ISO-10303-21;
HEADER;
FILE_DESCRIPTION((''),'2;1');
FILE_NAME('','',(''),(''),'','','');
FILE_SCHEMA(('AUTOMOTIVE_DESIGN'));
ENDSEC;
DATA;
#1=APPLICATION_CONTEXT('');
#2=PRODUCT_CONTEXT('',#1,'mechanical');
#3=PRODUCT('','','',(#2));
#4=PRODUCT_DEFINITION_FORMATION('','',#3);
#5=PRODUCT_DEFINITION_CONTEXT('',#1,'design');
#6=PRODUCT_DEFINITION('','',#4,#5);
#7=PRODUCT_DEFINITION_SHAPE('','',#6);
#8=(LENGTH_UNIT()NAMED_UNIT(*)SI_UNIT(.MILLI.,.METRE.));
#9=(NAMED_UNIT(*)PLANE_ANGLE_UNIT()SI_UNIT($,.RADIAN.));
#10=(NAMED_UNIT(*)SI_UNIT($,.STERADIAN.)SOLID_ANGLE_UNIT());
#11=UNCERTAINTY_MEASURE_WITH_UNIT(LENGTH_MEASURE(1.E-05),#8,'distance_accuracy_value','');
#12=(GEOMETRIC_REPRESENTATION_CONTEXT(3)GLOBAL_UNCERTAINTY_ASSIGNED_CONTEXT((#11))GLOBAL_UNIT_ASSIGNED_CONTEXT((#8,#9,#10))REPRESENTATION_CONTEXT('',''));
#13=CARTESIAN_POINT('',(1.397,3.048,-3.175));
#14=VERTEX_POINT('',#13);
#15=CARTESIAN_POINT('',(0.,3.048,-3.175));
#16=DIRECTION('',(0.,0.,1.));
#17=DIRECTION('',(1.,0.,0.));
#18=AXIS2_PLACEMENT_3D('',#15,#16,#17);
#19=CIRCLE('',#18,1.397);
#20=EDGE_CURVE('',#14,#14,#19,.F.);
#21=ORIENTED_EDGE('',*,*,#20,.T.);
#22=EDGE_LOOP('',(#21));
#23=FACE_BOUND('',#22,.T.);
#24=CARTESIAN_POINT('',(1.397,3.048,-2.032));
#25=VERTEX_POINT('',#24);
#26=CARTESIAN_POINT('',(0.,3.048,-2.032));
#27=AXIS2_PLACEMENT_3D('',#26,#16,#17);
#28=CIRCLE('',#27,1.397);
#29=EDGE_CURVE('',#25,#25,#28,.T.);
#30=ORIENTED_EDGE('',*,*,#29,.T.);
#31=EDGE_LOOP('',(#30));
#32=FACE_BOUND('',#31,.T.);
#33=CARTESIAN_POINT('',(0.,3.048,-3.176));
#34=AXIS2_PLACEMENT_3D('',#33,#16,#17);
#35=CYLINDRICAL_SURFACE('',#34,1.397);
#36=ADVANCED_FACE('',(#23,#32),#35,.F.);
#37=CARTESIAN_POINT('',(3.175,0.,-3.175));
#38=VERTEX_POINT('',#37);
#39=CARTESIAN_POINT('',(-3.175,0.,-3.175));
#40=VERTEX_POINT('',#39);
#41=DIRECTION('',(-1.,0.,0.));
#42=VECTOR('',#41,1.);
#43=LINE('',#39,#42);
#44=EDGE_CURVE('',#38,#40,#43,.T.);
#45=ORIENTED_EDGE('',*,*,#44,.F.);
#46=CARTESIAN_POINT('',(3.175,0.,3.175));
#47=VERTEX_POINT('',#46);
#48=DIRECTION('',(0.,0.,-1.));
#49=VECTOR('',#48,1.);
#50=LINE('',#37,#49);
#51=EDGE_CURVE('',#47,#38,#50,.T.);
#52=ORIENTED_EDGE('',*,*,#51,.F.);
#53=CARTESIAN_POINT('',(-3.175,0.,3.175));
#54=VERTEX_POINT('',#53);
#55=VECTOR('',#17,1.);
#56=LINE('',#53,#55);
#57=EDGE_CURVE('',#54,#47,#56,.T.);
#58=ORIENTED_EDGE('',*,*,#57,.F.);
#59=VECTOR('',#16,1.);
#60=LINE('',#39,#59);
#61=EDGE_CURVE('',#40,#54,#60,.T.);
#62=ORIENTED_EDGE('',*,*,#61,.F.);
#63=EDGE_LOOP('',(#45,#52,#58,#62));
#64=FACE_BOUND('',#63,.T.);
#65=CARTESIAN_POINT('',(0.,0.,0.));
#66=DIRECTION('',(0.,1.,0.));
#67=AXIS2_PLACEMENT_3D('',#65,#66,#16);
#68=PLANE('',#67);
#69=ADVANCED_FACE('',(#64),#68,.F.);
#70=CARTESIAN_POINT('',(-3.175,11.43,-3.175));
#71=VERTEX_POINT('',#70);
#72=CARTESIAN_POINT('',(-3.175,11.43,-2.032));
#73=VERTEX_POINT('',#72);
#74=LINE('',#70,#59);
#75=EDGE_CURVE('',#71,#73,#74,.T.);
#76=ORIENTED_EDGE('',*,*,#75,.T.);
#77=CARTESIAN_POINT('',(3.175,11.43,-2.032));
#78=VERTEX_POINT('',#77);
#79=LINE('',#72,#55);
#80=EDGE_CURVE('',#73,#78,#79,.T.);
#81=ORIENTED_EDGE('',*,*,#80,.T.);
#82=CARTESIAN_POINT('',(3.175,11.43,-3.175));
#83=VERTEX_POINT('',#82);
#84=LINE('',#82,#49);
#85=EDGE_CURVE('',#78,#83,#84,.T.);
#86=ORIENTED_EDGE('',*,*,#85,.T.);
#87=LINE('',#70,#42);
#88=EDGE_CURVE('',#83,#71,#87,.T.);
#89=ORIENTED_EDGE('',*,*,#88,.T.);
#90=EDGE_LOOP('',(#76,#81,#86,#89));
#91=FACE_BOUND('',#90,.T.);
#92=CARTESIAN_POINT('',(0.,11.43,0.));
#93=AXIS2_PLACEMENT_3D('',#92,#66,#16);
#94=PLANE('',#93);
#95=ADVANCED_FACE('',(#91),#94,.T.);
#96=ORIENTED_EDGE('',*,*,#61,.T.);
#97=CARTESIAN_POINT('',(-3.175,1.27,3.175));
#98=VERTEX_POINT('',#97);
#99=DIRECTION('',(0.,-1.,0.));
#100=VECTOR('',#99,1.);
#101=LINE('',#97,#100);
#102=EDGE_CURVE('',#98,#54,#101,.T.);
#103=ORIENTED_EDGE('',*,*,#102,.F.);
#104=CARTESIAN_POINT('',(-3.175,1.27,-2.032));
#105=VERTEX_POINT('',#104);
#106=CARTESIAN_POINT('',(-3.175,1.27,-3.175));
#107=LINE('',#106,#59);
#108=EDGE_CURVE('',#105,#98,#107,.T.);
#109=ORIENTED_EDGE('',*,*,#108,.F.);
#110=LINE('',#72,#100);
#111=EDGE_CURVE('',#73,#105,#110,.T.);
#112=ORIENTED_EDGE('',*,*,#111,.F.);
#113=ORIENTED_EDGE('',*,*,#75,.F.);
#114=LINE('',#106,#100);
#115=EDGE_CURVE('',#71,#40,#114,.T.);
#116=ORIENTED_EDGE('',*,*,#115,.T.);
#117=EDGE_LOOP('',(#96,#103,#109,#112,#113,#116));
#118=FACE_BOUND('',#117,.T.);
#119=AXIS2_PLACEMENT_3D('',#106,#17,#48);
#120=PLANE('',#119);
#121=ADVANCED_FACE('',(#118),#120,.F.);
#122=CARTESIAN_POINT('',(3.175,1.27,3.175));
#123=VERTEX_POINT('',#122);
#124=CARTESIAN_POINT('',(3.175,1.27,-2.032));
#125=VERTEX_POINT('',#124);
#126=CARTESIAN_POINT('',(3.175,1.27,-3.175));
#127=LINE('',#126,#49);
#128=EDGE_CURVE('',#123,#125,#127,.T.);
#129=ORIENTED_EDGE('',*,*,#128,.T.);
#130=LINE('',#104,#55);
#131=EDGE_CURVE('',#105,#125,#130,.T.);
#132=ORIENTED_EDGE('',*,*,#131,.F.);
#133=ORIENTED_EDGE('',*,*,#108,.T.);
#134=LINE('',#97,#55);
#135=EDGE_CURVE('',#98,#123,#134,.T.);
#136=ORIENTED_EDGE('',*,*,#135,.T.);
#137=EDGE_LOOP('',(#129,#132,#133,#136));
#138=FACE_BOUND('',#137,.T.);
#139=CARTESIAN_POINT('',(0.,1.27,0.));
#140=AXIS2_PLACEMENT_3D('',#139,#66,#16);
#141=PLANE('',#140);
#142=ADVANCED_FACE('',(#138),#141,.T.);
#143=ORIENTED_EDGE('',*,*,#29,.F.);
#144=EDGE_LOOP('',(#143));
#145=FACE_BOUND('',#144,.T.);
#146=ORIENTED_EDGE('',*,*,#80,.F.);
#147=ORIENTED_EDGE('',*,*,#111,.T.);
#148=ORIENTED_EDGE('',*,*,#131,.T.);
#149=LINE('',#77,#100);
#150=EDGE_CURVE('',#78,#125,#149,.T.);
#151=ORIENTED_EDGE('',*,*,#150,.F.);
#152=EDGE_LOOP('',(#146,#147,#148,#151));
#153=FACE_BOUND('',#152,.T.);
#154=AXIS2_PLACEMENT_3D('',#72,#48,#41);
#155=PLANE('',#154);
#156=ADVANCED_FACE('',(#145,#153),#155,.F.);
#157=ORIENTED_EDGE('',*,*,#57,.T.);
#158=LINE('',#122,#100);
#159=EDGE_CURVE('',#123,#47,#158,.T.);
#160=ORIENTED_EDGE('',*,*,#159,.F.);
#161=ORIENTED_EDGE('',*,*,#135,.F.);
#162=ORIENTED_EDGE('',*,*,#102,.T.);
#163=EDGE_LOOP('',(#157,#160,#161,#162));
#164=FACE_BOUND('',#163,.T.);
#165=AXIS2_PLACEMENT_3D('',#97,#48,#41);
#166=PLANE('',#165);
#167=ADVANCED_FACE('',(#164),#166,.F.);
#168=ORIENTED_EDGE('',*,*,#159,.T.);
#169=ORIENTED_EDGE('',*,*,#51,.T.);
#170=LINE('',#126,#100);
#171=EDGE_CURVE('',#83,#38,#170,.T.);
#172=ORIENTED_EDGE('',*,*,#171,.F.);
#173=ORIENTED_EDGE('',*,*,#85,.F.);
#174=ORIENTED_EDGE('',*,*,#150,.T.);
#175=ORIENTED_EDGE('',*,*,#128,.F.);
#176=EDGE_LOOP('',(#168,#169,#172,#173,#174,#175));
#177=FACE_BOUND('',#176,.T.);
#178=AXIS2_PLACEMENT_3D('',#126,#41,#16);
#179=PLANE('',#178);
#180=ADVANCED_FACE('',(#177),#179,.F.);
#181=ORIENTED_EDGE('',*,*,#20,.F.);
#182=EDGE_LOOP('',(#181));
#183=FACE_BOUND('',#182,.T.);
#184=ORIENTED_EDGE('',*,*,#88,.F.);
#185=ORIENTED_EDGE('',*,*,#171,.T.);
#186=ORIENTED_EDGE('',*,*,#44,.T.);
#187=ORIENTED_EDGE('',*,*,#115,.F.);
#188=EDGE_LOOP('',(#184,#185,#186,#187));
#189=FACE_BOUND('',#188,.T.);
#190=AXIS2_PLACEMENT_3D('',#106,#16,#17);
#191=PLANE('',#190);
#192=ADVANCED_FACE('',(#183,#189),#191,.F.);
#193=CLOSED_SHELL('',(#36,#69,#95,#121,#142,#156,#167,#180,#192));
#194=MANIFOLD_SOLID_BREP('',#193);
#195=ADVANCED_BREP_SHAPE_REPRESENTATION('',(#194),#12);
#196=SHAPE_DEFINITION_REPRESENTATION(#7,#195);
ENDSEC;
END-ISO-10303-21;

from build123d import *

# Parameters (mm, degrees)
SKETCH1_W           = 6.35
SKETCH1_H           = 6.35
BOSS_EXTRUDE1_DEPTH = 1.27
SKETCH2_W           = 6.35
SKETCH2_H           = 1.143
BOSS_EXTRUDE2_DEPTH = 10.16
CUT_EXTRUDE1_REACH  = 3.143
SKETCH4_R           = 1.397


with BuildPart() as part:
    # Sketch1 → Boss-Extrude1 (new body)
    with BuildSketch(Plane(origin=(0, 0, 0), x_dir=(1, 0, 0), z_dir=(0, 1, 0))):
        Rectangle(SKETCH1_W, SKETCH1_H)
    extrude(amount=BOSS_EXTRUDE1_DEPTH)

    # Sketch2 → Boss-Extrude2 (add)
    with BuildSketch(Plane(origin=(0, 1.27, 0), x_dir=(1, 0, 0), z_dir=(0, 1, 0))):
        with Locations((0, 2.6035)):
            Rectangle(SKETCH2_W, SKETCH2_H)
    extrude(amount=BOSS_EXTRUDE2_DEPTH)

    # Sketch4 → Cut-Extrude1 (cut, up to next)
    with BuildSketch(Plane.XY.offset(-2.032), mode=Mode.PRIVATE) as cut_extrude1_sk1:
        with Locations((0, 3.048)):
            Circle(SKETCH4_R)
    cut_extrude1_tool1 = extrude(cut_extrude1_sk1.sketch, amount=-CUT_EXTRUDE1_REACH, mode=Mode.PRIVATE) & part.part
    add(cut_extrude1_tool1.solids().sort_by_distance((0, 3.048, -2.032))[0], mode=Mode.SUBTRACT)


solid = part.part
